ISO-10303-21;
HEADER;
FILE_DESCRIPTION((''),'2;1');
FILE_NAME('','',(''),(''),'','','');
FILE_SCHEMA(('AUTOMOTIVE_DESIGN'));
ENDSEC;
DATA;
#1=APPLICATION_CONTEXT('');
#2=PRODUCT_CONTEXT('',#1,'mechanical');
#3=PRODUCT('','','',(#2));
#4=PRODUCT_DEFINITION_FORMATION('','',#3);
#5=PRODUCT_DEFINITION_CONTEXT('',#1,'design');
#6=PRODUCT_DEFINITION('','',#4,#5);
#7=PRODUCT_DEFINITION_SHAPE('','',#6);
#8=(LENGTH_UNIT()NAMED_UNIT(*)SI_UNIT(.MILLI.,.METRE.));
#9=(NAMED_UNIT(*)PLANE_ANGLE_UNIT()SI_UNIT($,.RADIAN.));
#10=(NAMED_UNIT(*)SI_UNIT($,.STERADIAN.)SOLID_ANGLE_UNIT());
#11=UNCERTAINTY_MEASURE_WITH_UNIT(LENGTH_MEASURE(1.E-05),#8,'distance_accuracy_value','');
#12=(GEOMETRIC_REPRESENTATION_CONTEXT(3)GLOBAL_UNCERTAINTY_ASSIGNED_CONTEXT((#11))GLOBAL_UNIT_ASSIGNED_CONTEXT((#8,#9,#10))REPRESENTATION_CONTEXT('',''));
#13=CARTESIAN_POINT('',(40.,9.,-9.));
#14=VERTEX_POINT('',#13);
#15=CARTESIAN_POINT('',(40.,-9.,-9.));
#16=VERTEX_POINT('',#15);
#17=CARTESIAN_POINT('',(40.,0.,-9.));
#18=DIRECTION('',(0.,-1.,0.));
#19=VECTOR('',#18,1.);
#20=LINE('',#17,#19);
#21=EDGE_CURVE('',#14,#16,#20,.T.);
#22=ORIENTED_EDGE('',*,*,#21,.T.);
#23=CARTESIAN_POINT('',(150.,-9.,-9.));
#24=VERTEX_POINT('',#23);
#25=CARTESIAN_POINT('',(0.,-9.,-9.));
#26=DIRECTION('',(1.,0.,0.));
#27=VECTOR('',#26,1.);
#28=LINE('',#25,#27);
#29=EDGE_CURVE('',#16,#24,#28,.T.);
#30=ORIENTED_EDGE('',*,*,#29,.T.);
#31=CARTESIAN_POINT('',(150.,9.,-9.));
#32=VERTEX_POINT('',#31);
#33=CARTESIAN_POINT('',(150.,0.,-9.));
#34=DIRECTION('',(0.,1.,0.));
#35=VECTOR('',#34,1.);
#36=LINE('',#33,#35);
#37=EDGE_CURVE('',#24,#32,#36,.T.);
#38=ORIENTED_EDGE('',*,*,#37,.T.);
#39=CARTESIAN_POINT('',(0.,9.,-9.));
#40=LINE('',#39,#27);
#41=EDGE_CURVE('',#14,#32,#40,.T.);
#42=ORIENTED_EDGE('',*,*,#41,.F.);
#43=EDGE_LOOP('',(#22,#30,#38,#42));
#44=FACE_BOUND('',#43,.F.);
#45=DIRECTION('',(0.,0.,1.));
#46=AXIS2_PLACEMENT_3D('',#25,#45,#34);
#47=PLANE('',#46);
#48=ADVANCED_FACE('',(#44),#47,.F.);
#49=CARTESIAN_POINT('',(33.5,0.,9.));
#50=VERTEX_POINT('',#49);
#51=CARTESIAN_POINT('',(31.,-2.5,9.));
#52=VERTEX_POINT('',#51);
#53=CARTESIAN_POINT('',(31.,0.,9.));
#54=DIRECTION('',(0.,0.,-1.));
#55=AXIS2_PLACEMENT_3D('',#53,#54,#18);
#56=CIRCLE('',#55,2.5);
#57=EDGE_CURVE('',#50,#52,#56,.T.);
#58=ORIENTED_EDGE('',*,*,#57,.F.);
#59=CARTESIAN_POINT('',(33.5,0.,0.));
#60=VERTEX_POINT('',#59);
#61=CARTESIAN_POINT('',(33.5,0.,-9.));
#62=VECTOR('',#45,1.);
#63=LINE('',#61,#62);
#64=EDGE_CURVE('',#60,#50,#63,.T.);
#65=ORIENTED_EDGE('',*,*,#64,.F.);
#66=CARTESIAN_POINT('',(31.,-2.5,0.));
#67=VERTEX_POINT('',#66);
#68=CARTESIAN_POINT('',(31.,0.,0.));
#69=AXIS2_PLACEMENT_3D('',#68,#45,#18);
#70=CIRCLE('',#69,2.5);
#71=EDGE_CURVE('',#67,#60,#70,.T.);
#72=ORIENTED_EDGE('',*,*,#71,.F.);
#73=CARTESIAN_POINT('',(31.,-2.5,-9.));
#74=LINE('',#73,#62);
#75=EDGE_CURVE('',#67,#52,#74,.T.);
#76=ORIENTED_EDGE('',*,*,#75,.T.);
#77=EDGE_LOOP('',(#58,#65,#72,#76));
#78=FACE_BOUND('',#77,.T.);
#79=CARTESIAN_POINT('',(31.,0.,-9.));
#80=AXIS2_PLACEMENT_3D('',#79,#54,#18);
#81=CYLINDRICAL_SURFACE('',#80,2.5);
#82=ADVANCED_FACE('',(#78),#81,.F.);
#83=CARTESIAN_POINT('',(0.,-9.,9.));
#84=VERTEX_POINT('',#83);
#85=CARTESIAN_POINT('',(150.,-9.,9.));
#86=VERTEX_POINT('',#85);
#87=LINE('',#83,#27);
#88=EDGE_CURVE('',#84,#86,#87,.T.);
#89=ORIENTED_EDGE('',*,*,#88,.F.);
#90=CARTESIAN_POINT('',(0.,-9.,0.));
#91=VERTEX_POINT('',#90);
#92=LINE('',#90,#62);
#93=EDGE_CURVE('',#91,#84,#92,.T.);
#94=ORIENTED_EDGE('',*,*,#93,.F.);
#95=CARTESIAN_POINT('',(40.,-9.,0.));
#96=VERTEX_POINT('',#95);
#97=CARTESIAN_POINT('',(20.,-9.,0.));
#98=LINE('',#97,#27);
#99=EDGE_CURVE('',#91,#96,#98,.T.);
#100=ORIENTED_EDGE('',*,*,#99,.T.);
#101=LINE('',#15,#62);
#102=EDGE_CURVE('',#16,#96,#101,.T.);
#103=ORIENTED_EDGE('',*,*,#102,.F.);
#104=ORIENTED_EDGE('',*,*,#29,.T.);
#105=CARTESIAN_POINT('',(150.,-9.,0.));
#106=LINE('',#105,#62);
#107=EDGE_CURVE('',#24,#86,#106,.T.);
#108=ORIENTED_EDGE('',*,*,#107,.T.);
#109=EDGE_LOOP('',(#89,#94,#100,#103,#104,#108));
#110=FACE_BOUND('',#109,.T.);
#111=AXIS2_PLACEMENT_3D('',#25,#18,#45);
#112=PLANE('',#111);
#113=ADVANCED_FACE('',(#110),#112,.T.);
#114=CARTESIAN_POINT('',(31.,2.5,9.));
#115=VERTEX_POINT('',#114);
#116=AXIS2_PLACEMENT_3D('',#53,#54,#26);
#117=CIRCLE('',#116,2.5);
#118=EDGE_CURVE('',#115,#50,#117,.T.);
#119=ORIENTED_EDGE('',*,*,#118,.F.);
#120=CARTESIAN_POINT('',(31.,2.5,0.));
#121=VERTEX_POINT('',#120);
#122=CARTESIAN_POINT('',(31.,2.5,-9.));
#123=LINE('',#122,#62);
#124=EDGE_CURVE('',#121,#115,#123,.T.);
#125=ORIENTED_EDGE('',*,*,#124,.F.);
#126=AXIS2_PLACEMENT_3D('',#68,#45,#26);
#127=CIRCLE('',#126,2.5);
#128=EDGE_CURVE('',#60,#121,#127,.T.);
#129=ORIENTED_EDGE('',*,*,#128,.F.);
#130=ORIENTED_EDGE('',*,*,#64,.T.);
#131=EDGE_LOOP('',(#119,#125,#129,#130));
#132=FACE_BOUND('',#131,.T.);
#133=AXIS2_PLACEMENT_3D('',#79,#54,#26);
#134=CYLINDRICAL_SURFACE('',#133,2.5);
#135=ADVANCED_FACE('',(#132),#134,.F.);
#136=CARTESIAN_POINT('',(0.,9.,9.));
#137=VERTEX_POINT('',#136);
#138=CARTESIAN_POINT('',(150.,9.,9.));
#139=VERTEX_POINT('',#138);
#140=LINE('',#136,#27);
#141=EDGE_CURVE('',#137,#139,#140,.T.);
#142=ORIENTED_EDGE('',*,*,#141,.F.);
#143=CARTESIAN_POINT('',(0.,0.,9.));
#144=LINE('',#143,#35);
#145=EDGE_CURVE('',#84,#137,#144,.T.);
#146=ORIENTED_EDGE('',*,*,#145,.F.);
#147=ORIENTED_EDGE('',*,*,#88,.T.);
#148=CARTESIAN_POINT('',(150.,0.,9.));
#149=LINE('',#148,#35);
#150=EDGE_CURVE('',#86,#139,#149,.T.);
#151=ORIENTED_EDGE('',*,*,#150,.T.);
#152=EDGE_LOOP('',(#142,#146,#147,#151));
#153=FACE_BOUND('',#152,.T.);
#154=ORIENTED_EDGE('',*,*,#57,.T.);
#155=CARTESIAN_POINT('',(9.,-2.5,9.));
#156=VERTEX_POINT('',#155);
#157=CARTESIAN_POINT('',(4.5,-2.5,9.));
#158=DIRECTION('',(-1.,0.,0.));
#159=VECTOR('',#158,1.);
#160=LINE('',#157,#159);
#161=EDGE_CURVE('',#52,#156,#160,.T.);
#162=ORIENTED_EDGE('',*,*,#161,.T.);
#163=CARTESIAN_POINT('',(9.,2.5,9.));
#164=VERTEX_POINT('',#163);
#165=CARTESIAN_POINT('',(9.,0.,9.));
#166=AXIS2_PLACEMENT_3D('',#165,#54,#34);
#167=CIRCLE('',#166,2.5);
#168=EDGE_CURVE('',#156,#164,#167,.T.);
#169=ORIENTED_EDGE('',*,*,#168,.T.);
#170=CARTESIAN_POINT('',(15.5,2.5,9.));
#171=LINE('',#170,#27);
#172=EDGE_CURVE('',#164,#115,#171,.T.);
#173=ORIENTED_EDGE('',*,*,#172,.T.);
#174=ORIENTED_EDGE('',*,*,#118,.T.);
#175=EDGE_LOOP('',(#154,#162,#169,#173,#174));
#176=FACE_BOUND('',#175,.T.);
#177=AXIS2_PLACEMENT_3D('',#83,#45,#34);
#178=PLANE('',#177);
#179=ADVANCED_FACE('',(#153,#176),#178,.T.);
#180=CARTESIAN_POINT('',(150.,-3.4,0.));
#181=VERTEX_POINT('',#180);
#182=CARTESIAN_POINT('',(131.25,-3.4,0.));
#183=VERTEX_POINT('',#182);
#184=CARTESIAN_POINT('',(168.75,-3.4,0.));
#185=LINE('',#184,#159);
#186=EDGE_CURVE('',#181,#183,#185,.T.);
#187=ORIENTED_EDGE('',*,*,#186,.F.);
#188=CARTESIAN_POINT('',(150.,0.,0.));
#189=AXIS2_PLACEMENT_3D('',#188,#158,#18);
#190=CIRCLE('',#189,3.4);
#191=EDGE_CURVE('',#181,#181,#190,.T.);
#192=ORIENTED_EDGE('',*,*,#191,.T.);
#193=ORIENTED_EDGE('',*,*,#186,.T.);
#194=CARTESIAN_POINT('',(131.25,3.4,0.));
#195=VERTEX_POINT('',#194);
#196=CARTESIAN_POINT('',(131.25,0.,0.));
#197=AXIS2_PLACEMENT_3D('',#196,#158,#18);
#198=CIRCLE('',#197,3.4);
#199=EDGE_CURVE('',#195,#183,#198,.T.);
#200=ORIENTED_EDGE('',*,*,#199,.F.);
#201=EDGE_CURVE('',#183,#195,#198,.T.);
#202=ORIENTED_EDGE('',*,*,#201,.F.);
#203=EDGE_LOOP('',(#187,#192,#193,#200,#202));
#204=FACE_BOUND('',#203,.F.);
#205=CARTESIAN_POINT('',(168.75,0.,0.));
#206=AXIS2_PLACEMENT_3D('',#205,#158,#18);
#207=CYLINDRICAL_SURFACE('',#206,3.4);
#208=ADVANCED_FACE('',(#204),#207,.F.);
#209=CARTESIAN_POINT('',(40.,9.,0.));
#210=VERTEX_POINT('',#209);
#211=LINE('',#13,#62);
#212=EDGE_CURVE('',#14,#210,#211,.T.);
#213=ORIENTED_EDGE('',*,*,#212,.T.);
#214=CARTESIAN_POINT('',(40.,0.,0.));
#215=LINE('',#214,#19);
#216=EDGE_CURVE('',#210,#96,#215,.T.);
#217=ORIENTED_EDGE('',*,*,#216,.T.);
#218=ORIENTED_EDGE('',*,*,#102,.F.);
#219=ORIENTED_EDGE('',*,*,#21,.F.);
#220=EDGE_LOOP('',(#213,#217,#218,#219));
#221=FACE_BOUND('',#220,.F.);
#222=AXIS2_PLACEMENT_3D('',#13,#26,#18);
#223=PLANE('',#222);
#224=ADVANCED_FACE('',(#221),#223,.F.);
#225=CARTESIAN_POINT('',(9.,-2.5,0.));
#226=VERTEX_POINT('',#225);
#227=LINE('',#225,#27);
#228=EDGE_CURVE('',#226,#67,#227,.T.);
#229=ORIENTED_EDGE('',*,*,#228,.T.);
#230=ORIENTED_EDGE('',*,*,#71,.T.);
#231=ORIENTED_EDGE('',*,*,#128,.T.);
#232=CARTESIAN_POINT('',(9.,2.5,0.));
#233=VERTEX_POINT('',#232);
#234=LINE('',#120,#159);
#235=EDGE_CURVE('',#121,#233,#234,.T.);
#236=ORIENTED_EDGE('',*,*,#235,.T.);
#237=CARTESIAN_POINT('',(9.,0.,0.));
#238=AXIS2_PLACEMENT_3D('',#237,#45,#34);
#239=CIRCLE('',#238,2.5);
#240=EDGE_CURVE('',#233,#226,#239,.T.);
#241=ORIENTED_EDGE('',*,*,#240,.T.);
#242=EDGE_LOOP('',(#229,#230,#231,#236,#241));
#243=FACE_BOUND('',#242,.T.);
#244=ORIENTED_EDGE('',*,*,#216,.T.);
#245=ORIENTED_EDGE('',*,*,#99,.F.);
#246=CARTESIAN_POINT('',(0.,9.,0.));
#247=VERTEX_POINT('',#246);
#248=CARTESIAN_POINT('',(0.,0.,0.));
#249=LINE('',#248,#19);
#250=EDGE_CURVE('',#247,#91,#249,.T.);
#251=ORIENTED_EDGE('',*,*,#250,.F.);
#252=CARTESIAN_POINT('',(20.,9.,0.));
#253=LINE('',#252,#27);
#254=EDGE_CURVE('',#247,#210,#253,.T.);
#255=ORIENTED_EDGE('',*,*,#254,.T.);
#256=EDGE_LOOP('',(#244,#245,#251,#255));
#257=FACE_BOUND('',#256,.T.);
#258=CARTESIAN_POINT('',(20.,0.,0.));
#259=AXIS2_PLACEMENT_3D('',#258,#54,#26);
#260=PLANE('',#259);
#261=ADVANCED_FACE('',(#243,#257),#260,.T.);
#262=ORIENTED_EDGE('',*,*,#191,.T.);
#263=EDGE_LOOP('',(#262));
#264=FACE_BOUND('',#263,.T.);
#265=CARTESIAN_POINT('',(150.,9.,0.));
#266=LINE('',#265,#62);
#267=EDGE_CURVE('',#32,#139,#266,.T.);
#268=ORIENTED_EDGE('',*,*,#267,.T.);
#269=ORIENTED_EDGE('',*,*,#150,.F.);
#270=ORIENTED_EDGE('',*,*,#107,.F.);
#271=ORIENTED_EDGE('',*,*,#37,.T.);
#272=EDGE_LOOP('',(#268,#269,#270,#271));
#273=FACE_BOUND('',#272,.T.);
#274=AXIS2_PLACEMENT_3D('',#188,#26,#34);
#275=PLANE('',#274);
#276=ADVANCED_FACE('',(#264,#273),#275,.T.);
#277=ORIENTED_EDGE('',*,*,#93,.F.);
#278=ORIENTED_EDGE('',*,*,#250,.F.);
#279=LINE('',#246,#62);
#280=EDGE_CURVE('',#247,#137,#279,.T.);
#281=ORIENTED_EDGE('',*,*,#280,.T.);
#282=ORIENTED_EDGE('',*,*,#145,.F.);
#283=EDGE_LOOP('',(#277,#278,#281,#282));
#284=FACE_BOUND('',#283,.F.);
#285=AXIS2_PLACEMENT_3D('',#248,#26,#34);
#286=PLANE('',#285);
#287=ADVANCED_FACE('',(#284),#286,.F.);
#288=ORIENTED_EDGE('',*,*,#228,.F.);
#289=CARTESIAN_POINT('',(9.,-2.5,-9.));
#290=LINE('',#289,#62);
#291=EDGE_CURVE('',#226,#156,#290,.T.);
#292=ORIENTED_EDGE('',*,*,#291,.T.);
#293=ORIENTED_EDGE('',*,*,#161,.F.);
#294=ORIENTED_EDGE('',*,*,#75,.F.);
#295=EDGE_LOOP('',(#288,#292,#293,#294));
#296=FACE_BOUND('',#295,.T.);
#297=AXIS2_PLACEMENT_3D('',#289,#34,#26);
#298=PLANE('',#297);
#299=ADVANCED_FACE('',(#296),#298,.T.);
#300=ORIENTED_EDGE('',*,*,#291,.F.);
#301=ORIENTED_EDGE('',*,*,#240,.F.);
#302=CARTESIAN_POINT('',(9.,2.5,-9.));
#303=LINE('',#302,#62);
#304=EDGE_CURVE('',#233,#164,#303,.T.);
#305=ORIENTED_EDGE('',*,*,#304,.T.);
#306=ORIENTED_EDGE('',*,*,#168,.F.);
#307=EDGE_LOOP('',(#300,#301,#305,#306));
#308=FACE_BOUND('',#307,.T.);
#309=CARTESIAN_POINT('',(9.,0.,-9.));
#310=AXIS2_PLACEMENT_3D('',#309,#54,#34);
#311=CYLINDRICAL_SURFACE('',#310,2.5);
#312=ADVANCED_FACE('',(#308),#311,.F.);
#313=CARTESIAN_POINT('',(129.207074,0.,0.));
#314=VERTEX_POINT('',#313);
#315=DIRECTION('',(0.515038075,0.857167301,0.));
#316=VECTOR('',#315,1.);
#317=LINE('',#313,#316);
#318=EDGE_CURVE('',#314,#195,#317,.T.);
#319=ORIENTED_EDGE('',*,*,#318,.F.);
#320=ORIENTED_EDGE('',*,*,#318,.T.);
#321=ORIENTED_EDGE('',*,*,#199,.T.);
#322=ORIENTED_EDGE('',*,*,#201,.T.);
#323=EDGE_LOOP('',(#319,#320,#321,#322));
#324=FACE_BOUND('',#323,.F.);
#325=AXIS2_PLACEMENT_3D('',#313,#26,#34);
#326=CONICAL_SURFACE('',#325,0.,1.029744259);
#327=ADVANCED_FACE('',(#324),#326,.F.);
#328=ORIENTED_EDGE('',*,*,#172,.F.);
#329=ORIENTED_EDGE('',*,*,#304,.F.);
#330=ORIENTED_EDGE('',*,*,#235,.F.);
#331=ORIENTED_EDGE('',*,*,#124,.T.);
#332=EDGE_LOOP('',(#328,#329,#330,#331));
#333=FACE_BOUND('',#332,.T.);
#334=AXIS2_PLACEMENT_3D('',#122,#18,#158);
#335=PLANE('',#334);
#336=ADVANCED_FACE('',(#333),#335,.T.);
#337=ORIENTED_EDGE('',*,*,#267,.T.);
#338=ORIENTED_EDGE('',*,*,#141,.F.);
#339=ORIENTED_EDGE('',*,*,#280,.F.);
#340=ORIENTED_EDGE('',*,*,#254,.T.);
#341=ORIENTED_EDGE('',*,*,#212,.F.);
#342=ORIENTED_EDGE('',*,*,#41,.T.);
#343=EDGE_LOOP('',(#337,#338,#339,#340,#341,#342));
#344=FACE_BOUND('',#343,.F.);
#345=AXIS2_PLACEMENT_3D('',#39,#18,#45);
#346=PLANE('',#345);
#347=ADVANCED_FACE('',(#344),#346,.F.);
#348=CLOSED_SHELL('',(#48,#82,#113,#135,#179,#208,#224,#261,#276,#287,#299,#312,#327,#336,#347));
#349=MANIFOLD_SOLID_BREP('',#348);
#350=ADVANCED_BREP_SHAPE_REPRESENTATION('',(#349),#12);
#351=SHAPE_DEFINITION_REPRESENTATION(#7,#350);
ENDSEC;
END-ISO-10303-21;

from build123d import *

# Parameters (mm, degrees)
F0_W     = 18
F0_H     = 18
F1_DEPTH = 150
F2_W     = 40
F2_H     = 18
F3_DEPTH = 9
F4_DEPTH = 25
F6_D     = 6.8
F6_DEPTH = 18.75
F6_TIP   = 2.0429261047


with BuildPart() as f1:
    # F0 (on Right) → F1 (new body)
    with BuildSketch(Plane.YZ):
        Rectangle(F0_W, F0_H)
    extrude(amount=F1_DEPTH)

    # F2 (on face) → F3 (cut)
    with BuildSketch(Plane(origin=(0, 0, -9), x_dir=(1, 0, 0), z_dir=(0, 0, -1))):
        with Locations((20, 0)):
            Rectangle(F2_W, F2_H)
        with BuildLine():
            ThreePointArc((9, -2.5), (6.5, 0), (9, 2.5))
            Line((9, 2.5), (31, 2.5))
            ThreePointArc((31, 2.5), (32.767766953, 1.767766953), (33.5, 0))
            ThreePointArc((33.5, 0), (32.767766953, -1.767766953), (31, -2.5))
            Line((31, -2.5), (9, -2.5))
        make_face(mode=Mode.SUBTRACT)
    extrude(amount=-F3_DEPTH, mode=Mode.SUBTRACT)

    # F4 (cut): a face of the model
    f4_faces = [f1.faces().sort_by_distance(p)[0] for p in [
        (20, 0, -9),
    ]]
    extrude(f4_faces, amount=-F4_DEPTH, mode=Mode.SUBTRACT)

    # F6
    with Locations(Plane.YZ.offset(150)):
        with Locations((0, 0)):
            Hole(F6_D / 2, depth=F6_DEPTH)
            with Locations((0, 0, -(F6_DEPTH + F6_TIP / 2))):  # 118° drill point
                Cone(0, F6_D / 2, F6_TIP, mode=Mode.SUBTRACT)


solid = f1.part
